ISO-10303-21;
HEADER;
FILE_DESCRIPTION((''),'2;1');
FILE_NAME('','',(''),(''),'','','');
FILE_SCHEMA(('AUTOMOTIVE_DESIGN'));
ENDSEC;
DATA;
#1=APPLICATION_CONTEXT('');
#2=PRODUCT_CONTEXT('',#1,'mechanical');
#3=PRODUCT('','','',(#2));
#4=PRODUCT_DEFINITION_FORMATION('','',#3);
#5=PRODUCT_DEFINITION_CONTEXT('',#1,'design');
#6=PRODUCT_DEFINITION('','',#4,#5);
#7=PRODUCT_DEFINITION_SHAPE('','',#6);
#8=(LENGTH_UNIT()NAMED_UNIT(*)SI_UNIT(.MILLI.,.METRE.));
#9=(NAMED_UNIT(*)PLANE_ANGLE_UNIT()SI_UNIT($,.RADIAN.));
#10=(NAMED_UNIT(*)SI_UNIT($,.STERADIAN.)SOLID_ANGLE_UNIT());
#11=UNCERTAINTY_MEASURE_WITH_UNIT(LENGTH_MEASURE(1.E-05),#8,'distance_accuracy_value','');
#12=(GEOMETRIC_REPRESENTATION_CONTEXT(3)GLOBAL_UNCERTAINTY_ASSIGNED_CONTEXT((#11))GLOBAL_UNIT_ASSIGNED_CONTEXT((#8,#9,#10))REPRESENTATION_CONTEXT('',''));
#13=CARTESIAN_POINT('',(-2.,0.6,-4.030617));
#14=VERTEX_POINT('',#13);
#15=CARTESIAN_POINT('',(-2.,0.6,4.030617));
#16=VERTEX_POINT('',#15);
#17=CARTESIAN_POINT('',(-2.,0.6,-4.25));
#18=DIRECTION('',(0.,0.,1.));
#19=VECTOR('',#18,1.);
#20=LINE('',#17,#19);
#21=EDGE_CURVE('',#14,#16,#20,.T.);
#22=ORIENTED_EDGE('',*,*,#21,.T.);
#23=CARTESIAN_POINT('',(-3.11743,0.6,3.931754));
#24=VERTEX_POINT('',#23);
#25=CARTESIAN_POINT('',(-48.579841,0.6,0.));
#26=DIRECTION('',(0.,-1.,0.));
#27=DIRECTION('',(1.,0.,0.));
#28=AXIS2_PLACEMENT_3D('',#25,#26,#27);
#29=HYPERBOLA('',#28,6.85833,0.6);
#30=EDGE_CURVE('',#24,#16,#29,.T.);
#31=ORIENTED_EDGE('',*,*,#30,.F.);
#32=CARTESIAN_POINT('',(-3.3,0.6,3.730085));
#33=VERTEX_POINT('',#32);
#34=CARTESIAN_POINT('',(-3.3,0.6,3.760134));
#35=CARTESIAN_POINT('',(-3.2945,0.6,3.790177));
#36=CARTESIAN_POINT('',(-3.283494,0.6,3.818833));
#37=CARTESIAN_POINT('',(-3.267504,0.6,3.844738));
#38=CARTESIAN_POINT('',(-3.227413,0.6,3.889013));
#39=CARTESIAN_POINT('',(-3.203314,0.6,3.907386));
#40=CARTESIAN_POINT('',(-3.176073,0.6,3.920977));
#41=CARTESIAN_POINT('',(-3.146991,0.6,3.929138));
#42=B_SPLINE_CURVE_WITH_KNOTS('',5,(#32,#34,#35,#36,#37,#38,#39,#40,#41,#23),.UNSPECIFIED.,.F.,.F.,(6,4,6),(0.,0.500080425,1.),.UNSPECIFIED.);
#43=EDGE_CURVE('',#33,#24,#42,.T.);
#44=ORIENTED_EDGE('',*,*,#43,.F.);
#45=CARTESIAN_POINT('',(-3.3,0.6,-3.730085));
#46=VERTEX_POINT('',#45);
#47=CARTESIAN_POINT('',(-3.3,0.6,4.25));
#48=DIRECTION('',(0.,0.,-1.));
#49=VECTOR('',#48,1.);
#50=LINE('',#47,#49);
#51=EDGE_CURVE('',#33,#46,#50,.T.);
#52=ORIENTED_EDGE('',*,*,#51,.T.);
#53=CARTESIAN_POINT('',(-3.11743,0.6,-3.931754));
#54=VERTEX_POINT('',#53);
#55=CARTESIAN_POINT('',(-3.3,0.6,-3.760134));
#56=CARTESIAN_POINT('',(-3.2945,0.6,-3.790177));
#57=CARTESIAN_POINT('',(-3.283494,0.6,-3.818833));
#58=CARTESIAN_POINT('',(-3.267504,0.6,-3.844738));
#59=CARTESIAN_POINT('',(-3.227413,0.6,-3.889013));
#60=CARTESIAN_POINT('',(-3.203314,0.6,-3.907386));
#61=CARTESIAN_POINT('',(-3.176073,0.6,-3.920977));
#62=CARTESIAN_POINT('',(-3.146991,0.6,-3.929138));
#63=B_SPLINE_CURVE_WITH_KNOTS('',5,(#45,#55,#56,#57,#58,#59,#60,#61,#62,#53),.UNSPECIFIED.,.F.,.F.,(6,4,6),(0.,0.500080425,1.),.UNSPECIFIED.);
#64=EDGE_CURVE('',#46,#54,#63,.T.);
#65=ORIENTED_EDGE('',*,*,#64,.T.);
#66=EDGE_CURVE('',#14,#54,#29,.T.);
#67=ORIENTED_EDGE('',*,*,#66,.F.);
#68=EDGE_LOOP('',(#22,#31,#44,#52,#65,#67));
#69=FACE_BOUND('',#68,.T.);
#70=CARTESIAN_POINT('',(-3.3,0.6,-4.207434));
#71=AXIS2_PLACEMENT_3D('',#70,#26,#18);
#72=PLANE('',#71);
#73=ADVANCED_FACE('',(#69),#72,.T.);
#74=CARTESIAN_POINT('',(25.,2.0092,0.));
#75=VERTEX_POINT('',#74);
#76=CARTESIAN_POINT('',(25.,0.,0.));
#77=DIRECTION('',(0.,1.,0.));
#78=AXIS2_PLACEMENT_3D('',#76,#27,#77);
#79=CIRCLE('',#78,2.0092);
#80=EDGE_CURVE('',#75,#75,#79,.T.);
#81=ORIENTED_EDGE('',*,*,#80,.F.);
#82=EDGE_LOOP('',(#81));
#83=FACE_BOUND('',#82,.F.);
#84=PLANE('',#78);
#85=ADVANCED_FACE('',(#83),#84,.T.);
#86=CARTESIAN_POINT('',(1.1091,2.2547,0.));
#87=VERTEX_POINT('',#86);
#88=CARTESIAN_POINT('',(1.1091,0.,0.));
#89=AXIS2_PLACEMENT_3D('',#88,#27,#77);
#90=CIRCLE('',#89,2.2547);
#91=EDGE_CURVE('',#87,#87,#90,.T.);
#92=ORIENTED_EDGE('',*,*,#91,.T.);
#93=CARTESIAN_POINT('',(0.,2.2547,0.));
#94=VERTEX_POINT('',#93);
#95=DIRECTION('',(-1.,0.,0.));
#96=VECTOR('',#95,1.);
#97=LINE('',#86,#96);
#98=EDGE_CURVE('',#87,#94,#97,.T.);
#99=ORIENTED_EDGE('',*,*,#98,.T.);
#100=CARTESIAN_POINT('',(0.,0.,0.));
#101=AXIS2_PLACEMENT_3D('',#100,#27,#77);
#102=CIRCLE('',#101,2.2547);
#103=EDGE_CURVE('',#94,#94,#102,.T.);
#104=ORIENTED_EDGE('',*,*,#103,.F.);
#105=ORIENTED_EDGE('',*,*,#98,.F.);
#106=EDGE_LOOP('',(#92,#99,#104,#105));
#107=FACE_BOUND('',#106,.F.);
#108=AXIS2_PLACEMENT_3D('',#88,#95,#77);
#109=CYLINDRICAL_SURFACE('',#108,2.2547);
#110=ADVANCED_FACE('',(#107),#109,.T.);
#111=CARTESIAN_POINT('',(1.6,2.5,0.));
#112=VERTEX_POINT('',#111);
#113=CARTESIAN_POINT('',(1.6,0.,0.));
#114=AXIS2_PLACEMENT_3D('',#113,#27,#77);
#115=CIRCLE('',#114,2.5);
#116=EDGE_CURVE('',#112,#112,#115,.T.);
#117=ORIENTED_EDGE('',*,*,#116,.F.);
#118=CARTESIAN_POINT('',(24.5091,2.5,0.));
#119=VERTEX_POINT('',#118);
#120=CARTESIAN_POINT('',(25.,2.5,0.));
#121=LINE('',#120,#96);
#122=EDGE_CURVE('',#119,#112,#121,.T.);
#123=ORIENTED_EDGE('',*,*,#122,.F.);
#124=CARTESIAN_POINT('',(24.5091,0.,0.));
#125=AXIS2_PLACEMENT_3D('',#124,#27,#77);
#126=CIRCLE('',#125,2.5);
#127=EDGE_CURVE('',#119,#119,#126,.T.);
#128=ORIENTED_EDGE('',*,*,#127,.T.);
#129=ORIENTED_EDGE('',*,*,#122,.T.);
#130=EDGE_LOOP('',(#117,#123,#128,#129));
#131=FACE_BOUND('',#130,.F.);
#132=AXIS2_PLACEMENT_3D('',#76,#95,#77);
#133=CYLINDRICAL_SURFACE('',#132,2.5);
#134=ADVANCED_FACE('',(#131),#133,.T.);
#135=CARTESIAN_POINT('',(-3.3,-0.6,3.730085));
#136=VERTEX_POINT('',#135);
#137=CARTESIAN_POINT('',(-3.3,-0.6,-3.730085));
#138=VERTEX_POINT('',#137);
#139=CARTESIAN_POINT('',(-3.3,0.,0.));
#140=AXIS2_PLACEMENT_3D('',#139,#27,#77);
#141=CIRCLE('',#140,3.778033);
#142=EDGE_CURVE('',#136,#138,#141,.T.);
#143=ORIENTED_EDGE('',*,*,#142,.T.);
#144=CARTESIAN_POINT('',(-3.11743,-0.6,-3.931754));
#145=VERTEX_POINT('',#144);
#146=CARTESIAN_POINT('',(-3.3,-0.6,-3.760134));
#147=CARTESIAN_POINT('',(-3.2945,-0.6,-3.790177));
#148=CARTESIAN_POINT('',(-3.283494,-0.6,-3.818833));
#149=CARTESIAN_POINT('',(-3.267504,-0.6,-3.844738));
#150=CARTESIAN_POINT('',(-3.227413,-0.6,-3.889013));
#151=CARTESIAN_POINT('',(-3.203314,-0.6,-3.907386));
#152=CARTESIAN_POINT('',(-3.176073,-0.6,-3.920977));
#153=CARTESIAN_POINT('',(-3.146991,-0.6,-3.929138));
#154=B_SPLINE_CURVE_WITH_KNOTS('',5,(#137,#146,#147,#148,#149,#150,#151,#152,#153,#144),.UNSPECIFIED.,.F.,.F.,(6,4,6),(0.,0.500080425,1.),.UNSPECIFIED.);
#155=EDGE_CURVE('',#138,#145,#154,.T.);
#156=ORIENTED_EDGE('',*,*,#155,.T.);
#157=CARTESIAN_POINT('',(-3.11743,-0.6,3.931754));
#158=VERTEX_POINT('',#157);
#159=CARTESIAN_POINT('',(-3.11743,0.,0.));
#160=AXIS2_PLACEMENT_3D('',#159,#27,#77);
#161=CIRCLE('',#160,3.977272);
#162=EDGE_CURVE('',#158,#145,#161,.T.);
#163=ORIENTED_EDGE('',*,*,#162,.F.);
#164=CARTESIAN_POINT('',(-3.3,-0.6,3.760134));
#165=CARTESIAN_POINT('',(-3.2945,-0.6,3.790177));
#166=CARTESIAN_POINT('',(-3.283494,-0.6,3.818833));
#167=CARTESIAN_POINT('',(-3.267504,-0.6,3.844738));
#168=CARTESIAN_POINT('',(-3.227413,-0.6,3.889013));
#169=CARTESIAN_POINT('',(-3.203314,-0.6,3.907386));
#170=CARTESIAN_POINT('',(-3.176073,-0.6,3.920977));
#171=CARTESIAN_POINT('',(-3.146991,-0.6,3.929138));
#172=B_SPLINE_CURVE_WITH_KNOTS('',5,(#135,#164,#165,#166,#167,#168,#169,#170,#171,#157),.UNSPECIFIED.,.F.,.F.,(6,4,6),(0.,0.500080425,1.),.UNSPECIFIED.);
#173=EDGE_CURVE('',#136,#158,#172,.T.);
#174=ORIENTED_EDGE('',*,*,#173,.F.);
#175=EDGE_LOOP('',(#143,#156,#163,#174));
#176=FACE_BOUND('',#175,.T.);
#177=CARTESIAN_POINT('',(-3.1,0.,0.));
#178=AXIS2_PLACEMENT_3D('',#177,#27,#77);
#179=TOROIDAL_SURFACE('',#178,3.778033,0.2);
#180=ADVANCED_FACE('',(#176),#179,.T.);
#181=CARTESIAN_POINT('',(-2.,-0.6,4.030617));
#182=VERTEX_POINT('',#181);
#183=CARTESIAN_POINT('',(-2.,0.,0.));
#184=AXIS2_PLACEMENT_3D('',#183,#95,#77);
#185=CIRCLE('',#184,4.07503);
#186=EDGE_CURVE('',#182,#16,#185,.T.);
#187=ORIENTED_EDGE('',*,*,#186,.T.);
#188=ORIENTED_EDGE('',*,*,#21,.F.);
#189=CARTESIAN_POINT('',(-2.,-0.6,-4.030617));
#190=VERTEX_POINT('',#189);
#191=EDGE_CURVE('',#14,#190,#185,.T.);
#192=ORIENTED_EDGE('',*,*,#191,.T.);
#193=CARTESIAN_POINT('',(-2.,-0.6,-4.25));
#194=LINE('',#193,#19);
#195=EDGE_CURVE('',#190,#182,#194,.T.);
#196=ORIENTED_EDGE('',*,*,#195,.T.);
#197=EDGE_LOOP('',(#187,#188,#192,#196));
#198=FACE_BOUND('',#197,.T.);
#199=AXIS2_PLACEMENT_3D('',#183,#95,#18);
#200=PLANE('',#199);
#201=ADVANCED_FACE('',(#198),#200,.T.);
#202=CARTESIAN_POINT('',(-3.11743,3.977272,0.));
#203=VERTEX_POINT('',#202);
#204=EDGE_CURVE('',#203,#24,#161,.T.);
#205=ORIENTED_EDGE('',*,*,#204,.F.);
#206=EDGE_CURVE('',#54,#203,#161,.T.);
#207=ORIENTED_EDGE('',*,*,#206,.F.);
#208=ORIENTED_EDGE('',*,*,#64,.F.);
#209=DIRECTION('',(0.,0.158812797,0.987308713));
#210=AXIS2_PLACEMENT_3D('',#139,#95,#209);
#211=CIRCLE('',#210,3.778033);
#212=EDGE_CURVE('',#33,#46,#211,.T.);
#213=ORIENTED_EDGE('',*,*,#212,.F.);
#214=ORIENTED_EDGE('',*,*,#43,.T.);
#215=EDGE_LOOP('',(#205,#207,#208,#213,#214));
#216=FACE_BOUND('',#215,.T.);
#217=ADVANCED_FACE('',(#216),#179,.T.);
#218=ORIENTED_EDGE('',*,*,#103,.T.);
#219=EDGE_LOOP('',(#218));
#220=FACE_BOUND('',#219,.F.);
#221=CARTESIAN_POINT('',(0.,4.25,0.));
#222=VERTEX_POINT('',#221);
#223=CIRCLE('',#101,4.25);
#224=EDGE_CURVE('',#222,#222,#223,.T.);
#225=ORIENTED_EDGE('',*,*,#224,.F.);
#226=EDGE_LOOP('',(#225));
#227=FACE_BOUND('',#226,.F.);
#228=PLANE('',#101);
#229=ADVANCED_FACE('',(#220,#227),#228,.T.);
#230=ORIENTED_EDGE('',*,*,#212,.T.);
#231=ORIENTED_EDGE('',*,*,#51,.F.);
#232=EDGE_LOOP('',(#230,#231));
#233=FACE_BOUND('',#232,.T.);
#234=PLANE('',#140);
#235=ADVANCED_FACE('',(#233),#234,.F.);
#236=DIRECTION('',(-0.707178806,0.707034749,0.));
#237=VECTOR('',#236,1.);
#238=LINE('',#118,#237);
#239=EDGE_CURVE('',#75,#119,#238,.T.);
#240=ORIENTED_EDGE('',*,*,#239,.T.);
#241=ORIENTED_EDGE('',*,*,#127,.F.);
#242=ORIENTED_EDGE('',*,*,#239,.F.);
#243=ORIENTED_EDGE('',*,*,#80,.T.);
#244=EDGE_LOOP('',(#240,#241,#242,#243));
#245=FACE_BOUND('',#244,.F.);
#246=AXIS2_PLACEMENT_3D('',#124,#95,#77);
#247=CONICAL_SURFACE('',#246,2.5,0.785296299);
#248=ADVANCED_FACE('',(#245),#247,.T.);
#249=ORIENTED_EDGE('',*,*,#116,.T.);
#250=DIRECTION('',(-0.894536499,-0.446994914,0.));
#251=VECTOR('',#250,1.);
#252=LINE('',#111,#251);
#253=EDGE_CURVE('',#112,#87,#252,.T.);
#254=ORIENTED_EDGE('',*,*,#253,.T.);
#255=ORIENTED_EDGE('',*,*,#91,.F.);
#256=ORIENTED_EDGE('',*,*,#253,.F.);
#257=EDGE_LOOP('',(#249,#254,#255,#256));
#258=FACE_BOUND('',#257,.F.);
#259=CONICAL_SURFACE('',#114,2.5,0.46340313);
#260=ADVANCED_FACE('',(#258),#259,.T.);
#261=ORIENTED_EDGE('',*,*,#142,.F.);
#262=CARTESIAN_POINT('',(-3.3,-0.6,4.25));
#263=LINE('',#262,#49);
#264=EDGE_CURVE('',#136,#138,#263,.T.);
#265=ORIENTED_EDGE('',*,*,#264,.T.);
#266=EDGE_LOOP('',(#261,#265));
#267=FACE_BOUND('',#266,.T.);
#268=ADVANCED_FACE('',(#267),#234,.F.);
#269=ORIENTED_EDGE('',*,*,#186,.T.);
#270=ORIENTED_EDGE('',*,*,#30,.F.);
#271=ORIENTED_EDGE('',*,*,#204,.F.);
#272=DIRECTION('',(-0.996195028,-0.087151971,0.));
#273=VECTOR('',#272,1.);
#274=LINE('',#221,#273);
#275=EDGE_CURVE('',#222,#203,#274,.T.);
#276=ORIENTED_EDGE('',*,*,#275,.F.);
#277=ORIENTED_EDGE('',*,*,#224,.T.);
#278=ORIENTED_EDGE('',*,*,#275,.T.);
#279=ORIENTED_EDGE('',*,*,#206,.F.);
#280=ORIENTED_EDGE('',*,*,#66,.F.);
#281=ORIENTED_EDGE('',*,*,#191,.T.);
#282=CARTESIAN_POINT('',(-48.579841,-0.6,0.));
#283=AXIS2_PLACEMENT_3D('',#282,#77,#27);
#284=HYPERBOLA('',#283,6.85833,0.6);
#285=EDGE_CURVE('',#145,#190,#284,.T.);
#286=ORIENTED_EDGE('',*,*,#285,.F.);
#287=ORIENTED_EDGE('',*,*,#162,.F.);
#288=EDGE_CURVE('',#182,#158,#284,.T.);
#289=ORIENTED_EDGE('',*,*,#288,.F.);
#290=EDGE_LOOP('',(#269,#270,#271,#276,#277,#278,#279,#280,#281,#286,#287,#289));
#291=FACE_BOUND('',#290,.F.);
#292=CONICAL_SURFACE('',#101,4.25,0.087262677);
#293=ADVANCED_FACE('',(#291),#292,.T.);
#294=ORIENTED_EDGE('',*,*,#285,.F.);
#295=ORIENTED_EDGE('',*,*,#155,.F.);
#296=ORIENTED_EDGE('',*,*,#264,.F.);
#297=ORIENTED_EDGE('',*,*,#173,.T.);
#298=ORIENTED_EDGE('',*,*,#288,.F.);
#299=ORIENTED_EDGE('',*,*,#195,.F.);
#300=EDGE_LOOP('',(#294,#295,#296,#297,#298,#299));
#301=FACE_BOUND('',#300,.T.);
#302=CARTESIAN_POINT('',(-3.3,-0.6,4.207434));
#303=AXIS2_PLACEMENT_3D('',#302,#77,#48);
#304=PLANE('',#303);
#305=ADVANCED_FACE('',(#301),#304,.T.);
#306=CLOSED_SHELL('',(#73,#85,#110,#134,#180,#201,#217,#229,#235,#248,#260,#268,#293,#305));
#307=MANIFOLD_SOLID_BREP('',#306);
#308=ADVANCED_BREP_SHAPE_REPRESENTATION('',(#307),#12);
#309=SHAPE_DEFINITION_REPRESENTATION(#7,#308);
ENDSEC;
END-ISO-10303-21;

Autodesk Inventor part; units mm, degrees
ref_plane "YZ Plane" through (0, 0, 0) normal (1, 0, 0) x (0, 1, 0)
ref_plane "XZ Plane" through (0, 0, 0) normal (0, 1, 0) x (-1, 0, 0)
sketch "Sketch1" plane through (0, 0, 0) normal (0, 0, 1) x (1, 0, 0)
  line L0 (-3.3, 0) -> (25, 0)
  line L1 (25, 0) -> (25, 2.5)
  line L2 (25, 2.5) -> (1.6, 2.5)
  line L3 (1.6, 2.5) -> (1.1091, 2.2547)
  line L4 (1.1091, 2.2547) -> (0, 2.2547)
  line L5 (0, 2.2547) -> (0, 4.25)
  line L6 (-8.96, 0) -> (30.66, 0) projected
  line L7 (0, -0.85) -> (0, 5.1) projected
  line L8 (-3.3, 0) -> (-3.3, 3.9613)
  line L9 (0, 4.25) -> (-3.3, 3.9613)
  line L10 (1.6, 2.5) -> (0, 2.5) construction
  dimension "d0" = 25
  dimension "d1" = 23.4
  dimension "d2" = 0.4909
  dimension "d3" = 3.3
  dimension "d4" = 5
  dimension "d5" = 4.5095
  dimension "d9" = 8.5
  dimension "d10" = 5
revolve "Body" add sketch "Sketch1" angle 360 about axis through (-3.3, 0, 0) along (1, 0, 0)
sketch "Sketch2" plane through (-3.3, 0, 0) normal (-1, 0, 0) x (0, 0, 1)
  circle A0 centre (0, 0) radius 4.25 projected
  line L0 (0, 0) -> (0, 3.9613) projected
  line L1 (-4.25, 0.6) -> (4.25, 0.6)
  line L2 (4.25, 0.6) -> (4.25, -0.6)
  line L3 (4.25, -0.6) -> (-4.25, -0.6)
  line L4 (-4.25, -0.6) -> (-4.25, 0.6)
  line L5 (-4.25, 0) -> (4.25, 0) construction
  line L6 (0, 0.6) -> (0, -0.6) construction
  point P0 (0, 0)
  dimension "d11" = 1.2
  dimension "d12" = 8.5
fillet "Fillet1" radius 0.2 1 edges at (-3.3, -3.9613, 0)
extrude "Slot" cut sketch "Sketch2" against normal blind 1.3 contours A0 L3 L1 | L2 L3 A0 | A0 L1 L2 | A0 L4 L1 | L3 L4 A0
thread "Thread" size "M5x0.8" class "6g" standard "ISO Metric profile" length 23.4
chamfer "Chamfer1" distance 0.4908 distance2 0.4909 1 edges at (25, -2.5, 0) measured on face at (25, 0.6238, 0.5526)
ref_plane "Work Plane1" through (30.1625, 0, 0) normal (0, 0, -1) x (1, 0, 0)
equation "\"d11\" = SBR"
equation "\"d12\" = KOD"
equation "\"d19\" = STI"
equation "\"d14\" = RR"
equation "\"d15\" = GEL"
equation "\"d17\" = -0.5 * SPD + 0.5 * GD"
equation "\"d0\" = NLG"
equation "\"d1\" = GEL"
equation "\"d3\" = KOH"
equation "\"d4\" = GD"
equation "\"d5\" = BDM"
equation "\"d9\" = KOD"
equation "\"d10\" = KEWI"
equation "\"GD\" = NND"
equation "\"NLG\" = 25"
equation "\"GEL\" = 23.4"
equation "\"KOD\" = 8.5"
equation "\"KOH\" = 3.3"
equation "\"GAL\" = 0.61345 * PTC"
equation "\"SPD\" = NND - 1.2269 * PTC"
equation "\"BDM\" = 4.5095"
equation "\"GUL\" = 0.61345 * PTC"
equation "\"RR\" = 0.2"
equation "\"SBR\" = 1.2"
equation "\"STI\" = 1.3"
equation "\"KEWI\" = 5deg"
equation "\"PTC\" = 0.8"
equation "\"THREADDIA\" = 5"
equation "\"TOA\" = 30deg"
equation "\"NND\" = 5"
equation "\"GD1\" = THREADDIA - 1.2269 * PTC"
properties part number "ISO 1207 - M5 x 25" material "Stainless Steel, 440C"
